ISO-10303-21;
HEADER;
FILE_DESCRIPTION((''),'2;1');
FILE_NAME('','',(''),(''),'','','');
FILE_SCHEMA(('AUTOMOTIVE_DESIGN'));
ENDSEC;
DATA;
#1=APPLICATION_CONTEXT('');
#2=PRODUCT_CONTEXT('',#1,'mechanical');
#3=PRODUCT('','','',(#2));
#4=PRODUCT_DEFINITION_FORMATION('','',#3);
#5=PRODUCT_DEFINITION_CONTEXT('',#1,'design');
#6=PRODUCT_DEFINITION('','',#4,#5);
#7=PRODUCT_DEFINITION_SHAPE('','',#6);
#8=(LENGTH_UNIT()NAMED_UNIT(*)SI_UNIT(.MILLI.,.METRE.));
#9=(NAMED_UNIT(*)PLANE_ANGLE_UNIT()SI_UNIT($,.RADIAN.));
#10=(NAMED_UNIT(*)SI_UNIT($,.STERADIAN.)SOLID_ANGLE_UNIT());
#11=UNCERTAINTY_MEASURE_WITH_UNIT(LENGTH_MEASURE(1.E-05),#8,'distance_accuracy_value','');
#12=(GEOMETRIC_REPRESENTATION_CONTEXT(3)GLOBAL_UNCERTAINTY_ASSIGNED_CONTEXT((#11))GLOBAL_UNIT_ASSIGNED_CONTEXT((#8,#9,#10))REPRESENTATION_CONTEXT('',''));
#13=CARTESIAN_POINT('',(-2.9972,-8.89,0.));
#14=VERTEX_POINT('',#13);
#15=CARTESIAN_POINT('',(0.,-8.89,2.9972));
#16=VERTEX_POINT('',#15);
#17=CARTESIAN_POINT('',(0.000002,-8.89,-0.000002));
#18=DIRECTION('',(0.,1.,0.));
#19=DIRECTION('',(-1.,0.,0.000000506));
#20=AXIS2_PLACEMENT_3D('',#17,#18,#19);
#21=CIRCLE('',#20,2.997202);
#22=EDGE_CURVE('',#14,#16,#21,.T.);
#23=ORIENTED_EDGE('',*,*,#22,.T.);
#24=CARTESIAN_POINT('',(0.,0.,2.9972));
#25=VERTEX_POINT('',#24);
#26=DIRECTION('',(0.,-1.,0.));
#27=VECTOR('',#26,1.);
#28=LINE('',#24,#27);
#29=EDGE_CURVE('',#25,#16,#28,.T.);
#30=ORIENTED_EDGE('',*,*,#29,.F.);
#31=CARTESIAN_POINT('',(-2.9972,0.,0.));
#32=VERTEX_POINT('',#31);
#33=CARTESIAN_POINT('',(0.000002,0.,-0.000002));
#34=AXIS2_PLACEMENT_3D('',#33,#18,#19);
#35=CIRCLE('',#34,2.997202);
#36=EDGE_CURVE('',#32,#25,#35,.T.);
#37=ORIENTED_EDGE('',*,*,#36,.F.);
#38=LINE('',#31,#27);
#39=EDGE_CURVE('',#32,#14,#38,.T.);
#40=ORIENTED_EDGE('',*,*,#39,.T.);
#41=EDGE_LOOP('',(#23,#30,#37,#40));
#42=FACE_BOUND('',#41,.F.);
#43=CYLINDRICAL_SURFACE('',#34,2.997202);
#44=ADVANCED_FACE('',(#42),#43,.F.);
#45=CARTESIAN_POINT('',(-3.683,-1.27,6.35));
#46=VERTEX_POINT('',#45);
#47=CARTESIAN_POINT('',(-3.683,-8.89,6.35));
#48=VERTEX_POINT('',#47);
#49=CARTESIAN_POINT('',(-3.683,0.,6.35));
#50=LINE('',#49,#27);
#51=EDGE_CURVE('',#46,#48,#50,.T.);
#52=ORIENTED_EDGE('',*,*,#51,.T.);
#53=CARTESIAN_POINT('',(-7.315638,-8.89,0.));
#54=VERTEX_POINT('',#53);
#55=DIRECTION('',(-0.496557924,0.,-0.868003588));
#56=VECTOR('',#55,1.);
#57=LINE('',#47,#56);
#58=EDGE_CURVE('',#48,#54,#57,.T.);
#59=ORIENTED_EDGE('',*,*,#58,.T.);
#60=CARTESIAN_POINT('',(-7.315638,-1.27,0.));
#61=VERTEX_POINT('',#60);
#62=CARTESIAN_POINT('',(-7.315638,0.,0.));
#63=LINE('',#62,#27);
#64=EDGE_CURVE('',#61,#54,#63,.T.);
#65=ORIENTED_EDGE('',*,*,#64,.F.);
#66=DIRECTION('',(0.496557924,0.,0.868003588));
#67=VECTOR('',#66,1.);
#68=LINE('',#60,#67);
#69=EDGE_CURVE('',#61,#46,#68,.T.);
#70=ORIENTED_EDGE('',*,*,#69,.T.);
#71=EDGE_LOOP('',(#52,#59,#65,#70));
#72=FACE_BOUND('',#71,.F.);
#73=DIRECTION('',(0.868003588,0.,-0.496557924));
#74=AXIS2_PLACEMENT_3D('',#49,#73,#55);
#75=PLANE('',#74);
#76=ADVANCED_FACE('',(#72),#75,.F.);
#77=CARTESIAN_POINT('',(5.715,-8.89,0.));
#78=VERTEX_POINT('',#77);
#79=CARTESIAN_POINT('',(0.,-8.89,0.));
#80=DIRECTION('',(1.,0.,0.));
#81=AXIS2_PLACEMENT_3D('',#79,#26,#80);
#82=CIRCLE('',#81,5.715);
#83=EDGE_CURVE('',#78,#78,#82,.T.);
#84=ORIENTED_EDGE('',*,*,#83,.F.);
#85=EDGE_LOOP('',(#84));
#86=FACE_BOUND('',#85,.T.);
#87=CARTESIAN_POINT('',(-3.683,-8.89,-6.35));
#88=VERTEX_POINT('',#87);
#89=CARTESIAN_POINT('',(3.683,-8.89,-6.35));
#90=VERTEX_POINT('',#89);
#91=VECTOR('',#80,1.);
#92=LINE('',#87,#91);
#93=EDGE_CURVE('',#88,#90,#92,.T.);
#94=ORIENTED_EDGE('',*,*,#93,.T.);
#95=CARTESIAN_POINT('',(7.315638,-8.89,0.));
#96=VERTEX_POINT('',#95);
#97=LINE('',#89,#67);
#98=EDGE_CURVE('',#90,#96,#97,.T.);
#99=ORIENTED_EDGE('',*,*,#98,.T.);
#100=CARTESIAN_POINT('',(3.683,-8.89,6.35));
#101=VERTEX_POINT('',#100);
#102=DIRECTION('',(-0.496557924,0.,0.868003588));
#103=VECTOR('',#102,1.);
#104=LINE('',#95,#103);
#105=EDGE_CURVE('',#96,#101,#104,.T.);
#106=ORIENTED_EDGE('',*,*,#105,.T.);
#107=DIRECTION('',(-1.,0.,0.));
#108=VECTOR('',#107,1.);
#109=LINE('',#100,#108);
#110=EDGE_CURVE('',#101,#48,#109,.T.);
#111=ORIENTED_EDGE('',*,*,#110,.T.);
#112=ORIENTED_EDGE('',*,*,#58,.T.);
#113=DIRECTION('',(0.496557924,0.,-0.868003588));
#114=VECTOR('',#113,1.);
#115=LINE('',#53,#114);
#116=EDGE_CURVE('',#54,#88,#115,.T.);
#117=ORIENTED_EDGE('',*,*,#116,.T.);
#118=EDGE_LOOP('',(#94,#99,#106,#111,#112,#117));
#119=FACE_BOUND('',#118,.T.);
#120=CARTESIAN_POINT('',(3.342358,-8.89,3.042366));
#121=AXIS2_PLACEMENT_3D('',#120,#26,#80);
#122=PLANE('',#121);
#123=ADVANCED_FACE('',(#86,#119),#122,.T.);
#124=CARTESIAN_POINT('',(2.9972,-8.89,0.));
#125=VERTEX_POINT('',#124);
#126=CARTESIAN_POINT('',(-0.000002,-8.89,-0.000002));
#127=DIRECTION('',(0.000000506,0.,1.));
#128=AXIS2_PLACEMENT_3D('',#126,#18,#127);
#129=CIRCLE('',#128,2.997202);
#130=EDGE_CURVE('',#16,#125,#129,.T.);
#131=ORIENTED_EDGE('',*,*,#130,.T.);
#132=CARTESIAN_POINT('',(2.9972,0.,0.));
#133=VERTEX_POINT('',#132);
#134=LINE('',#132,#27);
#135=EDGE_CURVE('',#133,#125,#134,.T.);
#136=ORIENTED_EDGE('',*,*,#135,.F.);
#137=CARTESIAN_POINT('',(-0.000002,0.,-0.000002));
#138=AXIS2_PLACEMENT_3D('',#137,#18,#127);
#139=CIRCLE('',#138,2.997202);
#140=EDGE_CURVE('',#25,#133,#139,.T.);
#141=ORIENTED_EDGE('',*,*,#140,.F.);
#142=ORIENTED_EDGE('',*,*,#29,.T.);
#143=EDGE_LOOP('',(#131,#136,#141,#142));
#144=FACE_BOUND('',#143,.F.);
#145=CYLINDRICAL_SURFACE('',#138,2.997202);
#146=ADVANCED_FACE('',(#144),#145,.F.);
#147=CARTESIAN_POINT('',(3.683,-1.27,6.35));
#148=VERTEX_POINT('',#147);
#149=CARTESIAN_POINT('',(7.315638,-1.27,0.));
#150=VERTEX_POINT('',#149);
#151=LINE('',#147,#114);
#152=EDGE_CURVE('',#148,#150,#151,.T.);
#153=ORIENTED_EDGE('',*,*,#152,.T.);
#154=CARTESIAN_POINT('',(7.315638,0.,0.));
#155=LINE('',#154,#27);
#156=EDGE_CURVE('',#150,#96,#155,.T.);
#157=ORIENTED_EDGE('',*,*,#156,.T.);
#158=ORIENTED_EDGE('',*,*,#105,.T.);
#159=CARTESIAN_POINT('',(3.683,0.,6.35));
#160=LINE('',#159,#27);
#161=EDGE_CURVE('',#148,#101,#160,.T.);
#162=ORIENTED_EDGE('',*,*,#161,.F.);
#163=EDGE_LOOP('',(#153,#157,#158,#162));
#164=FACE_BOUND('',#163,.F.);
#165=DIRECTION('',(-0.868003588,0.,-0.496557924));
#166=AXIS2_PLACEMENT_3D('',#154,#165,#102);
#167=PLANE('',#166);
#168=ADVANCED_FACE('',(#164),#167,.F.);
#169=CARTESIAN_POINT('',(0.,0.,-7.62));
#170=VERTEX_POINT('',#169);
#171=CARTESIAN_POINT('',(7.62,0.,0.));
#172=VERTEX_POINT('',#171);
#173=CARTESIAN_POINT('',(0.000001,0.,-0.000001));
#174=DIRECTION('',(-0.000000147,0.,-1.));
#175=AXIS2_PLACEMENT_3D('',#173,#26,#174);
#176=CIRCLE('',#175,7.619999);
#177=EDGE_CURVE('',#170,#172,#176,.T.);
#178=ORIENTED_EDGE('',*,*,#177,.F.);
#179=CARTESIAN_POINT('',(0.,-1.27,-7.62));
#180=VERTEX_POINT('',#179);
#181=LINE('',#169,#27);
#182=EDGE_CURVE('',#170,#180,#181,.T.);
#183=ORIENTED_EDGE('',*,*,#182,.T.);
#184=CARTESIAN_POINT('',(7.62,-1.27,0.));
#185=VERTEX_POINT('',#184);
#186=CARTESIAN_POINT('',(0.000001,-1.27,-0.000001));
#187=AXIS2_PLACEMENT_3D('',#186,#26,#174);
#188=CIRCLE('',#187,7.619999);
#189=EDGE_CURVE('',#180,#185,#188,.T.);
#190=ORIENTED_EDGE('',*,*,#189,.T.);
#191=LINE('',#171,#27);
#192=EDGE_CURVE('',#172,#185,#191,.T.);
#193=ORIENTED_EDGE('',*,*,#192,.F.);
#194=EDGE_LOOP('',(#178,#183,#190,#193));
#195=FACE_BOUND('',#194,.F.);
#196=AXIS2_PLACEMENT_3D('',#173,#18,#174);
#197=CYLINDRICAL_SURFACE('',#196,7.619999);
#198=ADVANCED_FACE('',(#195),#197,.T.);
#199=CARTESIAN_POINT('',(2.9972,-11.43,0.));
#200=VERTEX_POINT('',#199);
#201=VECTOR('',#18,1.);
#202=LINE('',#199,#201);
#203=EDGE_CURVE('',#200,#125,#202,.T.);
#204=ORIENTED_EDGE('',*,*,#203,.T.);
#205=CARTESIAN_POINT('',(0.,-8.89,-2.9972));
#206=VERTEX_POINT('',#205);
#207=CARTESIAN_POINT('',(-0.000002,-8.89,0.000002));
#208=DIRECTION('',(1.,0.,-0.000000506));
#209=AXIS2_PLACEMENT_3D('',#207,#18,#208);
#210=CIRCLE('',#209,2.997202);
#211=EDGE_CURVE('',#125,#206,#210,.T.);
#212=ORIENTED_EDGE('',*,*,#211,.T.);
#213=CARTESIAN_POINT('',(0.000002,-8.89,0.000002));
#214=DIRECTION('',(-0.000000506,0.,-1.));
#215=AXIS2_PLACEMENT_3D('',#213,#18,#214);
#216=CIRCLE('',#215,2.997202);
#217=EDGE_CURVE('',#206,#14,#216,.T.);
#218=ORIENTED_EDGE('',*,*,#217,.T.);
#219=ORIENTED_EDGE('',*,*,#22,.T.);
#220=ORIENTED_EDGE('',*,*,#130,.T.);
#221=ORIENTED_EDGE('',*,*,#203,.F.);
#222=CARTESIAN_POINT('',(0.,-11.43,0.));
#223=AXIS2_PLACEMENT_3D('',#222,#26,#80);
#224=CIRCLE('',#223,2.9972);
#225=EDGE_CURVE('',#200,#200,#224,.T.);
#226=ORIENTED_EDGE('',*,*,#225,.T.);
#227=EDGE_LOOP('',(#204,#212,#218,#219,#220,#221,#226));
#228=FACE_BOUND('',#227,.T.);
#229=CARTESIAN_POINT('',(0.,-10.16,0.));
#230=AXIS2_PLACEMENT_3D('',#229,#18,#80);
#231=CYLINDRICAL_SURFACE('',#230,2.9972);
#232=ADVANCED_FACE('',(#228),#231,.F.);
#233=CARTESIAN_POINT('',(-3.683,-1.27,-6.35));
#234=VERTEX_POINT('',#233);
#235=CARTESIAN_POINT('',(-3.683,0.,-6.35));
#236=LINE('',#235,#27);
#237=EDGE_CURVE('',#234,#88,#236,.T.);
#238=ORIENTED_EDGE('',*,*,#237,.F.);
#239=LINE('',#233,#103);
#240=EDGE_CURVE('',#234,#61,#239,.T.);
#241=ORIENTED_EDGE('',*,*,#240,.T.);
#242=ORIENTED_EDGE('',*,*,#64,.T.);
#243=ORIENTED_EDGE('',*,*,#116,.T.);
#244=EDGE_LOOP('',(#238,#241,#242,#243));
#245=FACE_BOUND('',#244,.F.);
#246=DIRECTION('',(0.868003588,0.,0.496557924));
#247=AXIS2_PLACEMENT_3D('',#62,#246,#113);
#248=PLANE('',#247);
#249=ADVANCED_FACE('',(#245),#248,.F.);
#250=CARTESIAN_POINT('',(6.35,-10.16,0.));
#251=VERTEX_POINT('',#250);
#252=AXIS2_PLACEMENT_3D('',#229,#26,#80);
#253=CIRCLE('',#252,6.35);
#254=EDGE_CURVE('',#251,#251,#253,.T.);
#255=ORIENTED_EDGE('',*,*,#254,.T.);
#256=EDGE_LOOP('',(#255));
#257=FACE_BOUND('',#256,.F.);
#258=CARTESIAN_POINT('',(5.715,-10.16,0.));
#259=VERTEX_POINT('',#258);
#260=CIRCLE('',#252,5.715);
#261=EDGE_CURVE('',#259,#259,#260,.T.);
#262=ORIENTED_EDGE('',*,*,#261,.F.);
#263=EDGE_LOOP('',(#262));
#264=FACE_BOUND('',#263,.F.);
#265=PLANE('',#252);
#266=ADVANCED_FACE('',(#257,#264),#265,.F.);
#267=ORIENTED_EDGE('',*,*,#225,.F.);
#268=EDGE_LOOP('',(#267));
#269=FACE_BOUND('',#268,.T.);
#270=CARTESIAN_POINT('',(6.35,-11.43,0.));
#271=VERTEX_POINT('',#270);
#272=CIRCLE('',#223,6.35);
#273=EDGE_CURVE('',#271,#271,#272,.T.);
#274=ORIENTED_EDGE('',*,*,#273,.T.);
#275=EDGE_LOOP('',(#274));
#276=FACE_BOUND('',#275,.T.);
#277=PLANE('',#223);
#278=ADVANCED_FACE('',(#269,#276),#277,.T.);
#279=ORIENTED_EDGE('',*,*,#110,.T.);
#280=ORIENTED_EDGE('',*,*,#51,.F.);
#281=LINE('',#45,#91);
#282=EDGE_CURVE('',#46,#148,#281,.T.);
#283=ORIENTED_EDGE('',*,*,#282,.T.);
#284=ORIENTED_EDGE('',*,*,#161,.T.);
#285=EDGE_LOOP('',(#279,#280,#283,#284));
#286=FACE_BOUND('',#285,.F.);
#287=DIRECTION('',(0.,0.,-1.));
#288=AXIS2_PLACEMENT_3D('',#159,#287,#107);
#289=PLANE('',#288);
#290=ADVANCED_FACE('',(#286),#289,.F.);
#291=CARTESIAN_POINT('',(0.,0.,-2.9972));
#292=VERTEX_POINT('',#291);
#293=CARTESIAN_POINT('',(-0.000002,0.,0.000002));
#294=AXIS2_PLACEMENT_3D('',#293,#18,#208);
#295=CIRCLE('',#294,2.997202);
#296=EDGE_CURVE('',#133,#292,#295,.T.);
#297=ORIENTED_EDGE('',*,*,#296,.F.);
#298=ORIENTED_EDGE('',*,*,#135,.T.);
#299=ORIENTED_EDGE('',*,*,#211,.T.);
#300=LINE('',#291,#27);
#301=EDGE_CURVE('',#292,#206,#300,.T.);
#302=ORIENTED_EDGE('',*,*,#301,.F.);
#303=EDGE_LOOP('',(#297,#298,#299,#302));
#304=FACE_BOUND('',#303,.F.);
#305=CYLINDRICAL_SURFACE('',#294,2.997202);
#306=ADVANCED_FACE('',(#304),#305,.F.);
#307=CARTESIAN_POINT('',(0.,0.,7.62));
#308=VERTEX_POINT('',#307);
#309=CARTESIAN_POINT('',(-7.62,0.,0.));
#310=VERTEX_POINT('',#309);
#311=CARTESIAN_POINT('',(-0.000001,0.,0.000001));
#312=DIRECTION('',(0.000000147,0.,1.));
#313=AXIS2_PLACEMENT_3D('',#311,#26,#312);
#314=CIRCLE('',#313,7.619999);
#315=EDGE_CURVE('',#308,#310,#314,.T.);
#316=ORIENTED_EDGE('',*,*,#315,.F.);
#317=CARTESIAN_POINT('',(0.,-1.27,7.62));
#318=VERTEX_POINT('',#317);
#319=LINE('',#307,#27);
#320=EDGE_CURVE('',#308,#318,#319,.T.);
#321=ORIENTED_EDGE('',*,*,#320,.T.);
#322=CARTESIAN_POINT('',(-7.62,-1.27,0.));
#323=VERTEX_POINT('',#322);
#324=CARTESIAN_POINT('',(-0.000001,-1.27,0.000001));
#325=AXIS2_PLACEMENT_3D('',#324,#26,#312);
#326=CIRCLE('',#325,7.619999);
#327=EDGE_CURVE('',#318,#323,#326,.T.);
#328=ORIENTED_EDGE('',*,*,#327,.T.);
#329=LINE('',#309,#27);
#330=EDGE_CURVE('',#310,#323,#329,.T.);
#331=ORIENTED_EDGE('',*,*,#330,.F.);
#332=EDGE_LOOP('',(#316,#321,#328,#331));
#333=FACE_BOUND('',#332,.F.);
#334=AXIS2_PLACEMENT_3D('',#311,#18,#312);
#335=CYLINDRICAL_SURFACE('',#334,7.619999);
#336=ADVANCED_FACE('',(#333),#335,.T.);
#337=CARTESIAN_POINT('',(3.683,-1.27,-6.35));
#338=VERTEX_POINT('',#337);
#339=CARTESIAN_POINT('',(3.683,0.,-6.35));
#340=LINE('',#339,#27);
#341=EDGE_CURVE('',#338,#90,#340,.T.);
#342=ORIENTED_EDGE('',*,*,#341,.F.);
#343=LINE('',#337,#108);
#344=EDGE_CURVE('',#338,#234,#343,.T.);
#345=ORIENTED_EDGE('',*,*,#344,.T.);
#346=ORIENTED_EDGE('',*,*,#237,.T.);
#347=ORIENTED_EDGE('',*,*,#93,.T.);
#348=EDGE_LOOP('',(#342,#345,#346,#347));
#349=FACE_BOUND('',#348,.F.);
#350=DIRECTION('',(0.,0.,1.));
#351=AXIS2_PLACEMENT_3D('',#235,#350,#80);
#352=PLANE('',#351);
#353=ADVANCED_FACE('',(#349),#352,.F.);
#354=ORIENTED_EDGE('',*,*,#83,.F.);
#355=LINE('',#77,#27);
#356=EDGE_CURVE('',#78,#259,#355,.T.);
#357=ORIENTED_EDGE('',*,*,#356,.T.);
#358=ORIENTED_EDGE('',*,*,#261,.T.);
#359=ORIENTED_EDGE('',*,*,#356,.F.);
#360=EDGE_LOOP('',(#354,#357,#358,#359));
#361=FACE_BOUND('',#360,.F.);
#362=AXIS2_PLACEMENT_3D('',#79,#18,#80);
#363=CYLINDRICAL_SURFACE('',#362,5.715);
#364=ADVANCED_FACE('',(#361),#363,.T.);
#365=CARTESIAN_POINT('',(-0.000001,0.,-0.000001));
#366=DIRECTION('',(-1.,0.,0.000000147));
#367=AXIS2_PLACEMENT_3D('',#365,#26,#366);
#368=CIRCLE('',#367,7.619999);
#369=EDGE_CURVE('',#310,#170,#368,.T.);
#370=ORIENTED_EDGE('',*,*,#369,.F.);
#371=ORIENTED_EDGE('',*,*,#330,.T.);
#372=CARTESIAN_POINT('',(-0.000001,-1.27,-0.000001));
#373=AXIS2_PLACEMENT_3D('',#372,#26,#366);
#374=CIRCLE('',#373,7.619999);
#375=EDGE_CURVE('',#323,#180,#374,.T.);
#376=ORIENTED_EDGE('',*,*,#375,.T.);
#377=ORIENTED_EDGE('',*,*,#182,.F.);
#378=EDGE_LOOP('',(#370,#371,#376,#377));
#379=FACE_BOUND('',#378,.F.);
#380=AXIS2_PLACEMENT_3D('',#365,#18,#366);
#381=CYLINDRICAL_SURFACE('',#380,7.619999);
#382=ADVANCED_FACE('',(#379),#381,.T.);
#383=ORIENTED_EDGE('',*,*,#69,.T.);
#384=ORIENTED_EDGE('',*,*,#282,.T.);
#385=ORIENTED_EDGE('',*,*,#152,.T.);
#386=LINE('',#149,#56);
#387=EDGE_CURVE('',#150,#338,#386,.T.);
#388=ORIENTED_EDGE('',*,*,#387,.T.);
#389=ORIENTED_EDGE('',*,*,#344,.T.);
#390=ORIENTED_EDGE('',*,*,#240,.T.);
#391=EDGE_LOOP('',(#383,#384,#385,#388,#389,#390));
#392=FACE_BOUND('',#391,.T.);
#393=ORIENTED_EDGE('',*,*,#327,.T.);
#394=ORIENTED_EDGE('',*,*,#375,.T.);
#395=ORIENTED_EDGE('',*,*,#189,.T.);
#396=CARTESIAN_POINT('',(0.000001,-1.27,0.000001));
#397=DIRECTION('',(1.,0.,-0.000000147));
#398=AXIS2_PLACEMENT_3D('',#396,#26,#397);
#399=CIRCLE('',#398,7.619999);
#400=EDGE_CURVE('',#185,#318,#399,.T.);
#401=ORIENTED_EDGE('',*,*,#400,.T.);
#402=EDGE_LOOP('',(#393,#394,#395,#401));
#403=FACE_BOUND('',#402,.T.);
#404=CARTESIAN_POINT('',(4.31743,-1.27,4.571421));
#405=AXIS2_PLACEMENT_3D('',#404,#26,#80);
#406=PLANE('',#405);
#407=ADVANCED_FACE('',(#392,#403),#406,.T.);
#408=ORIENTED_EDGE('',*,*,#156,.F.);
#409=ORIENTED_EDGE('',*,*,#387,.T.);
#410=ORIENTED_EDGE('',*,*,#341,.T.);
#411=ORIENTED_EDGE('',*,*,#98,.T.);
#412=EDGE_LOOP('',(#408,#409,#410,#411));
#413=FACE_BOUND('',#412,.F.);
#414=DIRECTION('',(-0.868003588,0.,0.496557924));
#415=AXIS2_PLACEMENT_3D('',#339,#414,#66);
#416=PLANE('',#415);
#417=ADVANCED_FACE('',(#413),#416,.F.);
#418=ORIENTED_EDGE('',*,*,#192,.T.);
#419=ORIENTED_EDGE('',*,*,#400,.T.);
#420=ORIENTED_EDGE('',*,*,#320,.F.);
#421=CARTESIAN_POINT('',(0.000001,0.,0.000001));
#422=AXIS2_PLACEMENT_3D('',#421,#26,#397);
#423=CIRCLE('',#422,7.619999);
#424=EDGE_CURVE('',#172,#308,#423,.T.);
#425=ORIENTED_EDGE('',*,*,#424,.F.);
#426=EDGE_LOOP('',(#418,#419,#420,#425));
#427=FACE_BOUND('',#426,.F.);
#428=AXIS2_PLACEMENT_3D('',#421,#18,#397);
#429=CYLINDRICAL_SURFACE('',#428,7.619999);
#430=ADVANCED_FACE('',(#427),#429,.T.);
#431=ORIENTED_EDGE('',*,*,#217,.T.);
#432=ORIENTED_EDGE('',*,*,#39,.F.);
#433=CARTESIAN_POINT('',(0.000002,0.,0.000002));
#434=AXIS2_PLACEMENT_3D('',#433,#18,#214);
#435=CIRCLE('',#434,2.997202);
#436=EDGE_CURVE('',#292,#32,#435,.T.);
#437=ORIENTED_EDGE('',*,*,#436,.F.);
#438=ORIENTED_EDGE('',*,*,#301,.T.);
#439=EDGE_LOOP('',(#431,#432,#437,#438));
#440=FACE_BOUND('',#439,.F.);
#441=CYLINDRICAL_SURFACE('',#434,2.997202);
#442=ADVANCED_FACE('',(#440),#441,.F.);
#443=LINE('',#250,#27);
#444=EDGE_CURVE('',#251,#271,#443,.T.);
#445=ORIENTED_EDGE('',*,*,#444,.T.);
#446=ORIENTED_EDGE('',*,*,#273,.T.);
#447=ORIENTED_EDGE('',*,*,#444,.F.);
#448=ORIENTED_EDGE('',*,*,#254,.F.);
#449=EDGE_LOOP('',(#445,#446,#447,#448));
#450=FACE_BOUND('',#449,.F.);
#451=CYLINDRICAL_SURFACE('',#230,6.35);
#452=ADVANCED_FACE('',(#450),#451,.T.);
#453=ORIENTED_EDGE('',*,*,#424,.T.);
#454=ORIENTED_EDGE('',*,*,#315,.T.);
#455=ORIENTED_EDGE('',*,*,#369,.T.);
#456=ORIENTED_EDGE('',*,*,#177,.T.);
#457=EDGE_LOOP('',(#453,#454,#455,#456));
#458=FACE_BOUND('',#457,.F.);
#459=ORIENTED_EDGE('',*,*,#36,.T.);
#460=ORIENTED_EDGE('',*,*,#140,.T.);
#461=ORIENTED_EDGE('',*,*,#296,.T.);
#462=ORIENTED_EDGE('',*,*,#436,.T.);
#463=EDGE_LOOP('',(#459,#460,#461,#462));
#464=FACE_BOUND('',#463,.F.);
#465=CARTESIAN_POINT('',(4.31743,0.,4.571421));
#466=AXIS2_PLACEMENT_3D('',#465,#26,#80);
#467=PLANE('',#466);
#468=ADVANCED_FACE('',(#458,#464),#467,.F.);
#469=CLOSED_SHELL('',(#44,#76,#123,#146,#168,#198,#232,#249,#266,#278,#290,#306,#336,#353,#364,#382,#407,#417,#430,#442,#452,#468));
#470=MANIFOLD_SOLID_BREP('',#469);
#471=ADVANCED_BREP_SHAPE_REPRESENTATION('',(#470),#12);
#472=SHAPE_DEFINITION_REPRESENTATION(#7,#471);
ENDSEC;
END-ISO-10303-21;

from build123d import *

# Parameters (mm, degrees)
F1_DEPTH = 1.27
F2_DEPTH = 8.89
F3_R     = 5.715
F3_R_2   = 2.9972
F4_DEPTH = 1.27
F5_R     = 6.35
F5_R_2   = 2.9972
F6_DEPTH = 1.27


with BuildPart() as f1:
    # F0 (on Front) → F1 (new body)
    with BuildSketch(Plane.XZ):
        with BuildLine():
            ThreePointArc((7.62, 0), (5.388154, 5.388154), (0, 7.62))
            Line((0, 7.62), (0, 6.35))
            Line((0, 6.35), (3.683, 6.35))
            Line((3.683, 6.35), (7.315638, 0))
            Line((7.315638, 0), (7.62, 0))
        make_face()
        with BuildLine():
            Line((0, 6.35), (0, 7.62))
            ThreePointArc((0, 7.62), (-5.388154, 5.388154), (-7.62, 0))
            Line((-7.62, 0), (-7.315638, 0))
            Line((-7.315638, 0), (-3.683, 6.35))
            Line((-3.683, 6.35), (0, 6.35))
        make_face()
        with BuildLine():
            ThreePointArc((0, -7.62), (5.388154, -5.388154), (7.62, 0))
            Line((7.62, 0), (7.315638, 0))
            Line((7.315638, 0), (3.683, -6.35))
            Line((3.683, -6.35), (0, -6.35))
            Line((0, -6.35), (0, -7.62))
        make_face()
        with BuildLine():
            Line((-7.315638, 0), (-7.62, 0))
            ThreePointArc((-7.62, 0), (-5.388154, -5.388154), (0, -7.62))
            Line((0, -7.62), (0, -6.35))
            Line((0, -6.35), (-3.683, -6.35))
            Line((-3.683, -6.35), (-7.315638, 0))
        make_face()
    extrude(amount=F1_DEPTH)

    # F0 (on Front) → F2 (join)
    with BuildSketch(Plane.XZ):
        with BuildLine():
            Line((3.683, 6.35), (0, 6.35))
            Line((0, 6.35), (0, 2.9972))
            ThreePointArc((0, 2.9972), (2.11934, 2.11934), (2.9972, 0))
            Line((2.9972, 0), (7.315638, 0))
            Line((7.315638, 0), (3.683, 6.35))
        make_face()
        with BuildLine():
            Line((0, 2.9972), (0, 6.35))
            Line((0, 6.35), (-3.683, 6.35))
            Line((-3.683, 6.35), (-7.315638, 0))
            Line((-7.315638, 0), (-2.9972, 0))
            ThreePointArc((-2.9972, 0), (-2.11934, 2.11934), (0, 2.9972))
        make_face()
        with BuildLine():
            Line((-2.9972, 0), (-7.315638, 0))
            Line((-7.315638, 0), (-3.683, -6.35))
            Line((-3.683, -6.35), (0, -6.35))
            Line((0, -6.35), (0, -2.9972))
            ThreePointArc((0, -2.9972), (-2.11934, -2.11934), (-2.9972, 0))
        make_face()
        with BuildLine():
            Line((3.683, -6.35), (7.315638, 0))
            Line((7.315638, 0), (2.9972, 0))
            ThreePointArc((2.9972, 0), (2.11934, -2.11934), (0, -2.9972))
            Line((0, -2.9972), (0, -6.35))
            Line((0, -6.35), (3.683, -6.35))
        make_face()
    extrude(amount=F2_DEPTH)

    # F3 (on face) → F4 (join)
    with BuildSketch(Plane.XZ.offset(8.89)):
        Circle(F3_R)
        Circle(F3_R_2, mode=Mode.SUBTRACT)
    extrude(amount=F4_DEPTH)

    # F5 (on face) → F6 (join)
    with BuildSketch(Plane.XZ.offset(10.16)):
        Circle(F5_R)
        Circle(F5_R_2, mode=Mode.SUBTRACT)
    extrude(amount=F6_DEPTH)


solid = f1.part
